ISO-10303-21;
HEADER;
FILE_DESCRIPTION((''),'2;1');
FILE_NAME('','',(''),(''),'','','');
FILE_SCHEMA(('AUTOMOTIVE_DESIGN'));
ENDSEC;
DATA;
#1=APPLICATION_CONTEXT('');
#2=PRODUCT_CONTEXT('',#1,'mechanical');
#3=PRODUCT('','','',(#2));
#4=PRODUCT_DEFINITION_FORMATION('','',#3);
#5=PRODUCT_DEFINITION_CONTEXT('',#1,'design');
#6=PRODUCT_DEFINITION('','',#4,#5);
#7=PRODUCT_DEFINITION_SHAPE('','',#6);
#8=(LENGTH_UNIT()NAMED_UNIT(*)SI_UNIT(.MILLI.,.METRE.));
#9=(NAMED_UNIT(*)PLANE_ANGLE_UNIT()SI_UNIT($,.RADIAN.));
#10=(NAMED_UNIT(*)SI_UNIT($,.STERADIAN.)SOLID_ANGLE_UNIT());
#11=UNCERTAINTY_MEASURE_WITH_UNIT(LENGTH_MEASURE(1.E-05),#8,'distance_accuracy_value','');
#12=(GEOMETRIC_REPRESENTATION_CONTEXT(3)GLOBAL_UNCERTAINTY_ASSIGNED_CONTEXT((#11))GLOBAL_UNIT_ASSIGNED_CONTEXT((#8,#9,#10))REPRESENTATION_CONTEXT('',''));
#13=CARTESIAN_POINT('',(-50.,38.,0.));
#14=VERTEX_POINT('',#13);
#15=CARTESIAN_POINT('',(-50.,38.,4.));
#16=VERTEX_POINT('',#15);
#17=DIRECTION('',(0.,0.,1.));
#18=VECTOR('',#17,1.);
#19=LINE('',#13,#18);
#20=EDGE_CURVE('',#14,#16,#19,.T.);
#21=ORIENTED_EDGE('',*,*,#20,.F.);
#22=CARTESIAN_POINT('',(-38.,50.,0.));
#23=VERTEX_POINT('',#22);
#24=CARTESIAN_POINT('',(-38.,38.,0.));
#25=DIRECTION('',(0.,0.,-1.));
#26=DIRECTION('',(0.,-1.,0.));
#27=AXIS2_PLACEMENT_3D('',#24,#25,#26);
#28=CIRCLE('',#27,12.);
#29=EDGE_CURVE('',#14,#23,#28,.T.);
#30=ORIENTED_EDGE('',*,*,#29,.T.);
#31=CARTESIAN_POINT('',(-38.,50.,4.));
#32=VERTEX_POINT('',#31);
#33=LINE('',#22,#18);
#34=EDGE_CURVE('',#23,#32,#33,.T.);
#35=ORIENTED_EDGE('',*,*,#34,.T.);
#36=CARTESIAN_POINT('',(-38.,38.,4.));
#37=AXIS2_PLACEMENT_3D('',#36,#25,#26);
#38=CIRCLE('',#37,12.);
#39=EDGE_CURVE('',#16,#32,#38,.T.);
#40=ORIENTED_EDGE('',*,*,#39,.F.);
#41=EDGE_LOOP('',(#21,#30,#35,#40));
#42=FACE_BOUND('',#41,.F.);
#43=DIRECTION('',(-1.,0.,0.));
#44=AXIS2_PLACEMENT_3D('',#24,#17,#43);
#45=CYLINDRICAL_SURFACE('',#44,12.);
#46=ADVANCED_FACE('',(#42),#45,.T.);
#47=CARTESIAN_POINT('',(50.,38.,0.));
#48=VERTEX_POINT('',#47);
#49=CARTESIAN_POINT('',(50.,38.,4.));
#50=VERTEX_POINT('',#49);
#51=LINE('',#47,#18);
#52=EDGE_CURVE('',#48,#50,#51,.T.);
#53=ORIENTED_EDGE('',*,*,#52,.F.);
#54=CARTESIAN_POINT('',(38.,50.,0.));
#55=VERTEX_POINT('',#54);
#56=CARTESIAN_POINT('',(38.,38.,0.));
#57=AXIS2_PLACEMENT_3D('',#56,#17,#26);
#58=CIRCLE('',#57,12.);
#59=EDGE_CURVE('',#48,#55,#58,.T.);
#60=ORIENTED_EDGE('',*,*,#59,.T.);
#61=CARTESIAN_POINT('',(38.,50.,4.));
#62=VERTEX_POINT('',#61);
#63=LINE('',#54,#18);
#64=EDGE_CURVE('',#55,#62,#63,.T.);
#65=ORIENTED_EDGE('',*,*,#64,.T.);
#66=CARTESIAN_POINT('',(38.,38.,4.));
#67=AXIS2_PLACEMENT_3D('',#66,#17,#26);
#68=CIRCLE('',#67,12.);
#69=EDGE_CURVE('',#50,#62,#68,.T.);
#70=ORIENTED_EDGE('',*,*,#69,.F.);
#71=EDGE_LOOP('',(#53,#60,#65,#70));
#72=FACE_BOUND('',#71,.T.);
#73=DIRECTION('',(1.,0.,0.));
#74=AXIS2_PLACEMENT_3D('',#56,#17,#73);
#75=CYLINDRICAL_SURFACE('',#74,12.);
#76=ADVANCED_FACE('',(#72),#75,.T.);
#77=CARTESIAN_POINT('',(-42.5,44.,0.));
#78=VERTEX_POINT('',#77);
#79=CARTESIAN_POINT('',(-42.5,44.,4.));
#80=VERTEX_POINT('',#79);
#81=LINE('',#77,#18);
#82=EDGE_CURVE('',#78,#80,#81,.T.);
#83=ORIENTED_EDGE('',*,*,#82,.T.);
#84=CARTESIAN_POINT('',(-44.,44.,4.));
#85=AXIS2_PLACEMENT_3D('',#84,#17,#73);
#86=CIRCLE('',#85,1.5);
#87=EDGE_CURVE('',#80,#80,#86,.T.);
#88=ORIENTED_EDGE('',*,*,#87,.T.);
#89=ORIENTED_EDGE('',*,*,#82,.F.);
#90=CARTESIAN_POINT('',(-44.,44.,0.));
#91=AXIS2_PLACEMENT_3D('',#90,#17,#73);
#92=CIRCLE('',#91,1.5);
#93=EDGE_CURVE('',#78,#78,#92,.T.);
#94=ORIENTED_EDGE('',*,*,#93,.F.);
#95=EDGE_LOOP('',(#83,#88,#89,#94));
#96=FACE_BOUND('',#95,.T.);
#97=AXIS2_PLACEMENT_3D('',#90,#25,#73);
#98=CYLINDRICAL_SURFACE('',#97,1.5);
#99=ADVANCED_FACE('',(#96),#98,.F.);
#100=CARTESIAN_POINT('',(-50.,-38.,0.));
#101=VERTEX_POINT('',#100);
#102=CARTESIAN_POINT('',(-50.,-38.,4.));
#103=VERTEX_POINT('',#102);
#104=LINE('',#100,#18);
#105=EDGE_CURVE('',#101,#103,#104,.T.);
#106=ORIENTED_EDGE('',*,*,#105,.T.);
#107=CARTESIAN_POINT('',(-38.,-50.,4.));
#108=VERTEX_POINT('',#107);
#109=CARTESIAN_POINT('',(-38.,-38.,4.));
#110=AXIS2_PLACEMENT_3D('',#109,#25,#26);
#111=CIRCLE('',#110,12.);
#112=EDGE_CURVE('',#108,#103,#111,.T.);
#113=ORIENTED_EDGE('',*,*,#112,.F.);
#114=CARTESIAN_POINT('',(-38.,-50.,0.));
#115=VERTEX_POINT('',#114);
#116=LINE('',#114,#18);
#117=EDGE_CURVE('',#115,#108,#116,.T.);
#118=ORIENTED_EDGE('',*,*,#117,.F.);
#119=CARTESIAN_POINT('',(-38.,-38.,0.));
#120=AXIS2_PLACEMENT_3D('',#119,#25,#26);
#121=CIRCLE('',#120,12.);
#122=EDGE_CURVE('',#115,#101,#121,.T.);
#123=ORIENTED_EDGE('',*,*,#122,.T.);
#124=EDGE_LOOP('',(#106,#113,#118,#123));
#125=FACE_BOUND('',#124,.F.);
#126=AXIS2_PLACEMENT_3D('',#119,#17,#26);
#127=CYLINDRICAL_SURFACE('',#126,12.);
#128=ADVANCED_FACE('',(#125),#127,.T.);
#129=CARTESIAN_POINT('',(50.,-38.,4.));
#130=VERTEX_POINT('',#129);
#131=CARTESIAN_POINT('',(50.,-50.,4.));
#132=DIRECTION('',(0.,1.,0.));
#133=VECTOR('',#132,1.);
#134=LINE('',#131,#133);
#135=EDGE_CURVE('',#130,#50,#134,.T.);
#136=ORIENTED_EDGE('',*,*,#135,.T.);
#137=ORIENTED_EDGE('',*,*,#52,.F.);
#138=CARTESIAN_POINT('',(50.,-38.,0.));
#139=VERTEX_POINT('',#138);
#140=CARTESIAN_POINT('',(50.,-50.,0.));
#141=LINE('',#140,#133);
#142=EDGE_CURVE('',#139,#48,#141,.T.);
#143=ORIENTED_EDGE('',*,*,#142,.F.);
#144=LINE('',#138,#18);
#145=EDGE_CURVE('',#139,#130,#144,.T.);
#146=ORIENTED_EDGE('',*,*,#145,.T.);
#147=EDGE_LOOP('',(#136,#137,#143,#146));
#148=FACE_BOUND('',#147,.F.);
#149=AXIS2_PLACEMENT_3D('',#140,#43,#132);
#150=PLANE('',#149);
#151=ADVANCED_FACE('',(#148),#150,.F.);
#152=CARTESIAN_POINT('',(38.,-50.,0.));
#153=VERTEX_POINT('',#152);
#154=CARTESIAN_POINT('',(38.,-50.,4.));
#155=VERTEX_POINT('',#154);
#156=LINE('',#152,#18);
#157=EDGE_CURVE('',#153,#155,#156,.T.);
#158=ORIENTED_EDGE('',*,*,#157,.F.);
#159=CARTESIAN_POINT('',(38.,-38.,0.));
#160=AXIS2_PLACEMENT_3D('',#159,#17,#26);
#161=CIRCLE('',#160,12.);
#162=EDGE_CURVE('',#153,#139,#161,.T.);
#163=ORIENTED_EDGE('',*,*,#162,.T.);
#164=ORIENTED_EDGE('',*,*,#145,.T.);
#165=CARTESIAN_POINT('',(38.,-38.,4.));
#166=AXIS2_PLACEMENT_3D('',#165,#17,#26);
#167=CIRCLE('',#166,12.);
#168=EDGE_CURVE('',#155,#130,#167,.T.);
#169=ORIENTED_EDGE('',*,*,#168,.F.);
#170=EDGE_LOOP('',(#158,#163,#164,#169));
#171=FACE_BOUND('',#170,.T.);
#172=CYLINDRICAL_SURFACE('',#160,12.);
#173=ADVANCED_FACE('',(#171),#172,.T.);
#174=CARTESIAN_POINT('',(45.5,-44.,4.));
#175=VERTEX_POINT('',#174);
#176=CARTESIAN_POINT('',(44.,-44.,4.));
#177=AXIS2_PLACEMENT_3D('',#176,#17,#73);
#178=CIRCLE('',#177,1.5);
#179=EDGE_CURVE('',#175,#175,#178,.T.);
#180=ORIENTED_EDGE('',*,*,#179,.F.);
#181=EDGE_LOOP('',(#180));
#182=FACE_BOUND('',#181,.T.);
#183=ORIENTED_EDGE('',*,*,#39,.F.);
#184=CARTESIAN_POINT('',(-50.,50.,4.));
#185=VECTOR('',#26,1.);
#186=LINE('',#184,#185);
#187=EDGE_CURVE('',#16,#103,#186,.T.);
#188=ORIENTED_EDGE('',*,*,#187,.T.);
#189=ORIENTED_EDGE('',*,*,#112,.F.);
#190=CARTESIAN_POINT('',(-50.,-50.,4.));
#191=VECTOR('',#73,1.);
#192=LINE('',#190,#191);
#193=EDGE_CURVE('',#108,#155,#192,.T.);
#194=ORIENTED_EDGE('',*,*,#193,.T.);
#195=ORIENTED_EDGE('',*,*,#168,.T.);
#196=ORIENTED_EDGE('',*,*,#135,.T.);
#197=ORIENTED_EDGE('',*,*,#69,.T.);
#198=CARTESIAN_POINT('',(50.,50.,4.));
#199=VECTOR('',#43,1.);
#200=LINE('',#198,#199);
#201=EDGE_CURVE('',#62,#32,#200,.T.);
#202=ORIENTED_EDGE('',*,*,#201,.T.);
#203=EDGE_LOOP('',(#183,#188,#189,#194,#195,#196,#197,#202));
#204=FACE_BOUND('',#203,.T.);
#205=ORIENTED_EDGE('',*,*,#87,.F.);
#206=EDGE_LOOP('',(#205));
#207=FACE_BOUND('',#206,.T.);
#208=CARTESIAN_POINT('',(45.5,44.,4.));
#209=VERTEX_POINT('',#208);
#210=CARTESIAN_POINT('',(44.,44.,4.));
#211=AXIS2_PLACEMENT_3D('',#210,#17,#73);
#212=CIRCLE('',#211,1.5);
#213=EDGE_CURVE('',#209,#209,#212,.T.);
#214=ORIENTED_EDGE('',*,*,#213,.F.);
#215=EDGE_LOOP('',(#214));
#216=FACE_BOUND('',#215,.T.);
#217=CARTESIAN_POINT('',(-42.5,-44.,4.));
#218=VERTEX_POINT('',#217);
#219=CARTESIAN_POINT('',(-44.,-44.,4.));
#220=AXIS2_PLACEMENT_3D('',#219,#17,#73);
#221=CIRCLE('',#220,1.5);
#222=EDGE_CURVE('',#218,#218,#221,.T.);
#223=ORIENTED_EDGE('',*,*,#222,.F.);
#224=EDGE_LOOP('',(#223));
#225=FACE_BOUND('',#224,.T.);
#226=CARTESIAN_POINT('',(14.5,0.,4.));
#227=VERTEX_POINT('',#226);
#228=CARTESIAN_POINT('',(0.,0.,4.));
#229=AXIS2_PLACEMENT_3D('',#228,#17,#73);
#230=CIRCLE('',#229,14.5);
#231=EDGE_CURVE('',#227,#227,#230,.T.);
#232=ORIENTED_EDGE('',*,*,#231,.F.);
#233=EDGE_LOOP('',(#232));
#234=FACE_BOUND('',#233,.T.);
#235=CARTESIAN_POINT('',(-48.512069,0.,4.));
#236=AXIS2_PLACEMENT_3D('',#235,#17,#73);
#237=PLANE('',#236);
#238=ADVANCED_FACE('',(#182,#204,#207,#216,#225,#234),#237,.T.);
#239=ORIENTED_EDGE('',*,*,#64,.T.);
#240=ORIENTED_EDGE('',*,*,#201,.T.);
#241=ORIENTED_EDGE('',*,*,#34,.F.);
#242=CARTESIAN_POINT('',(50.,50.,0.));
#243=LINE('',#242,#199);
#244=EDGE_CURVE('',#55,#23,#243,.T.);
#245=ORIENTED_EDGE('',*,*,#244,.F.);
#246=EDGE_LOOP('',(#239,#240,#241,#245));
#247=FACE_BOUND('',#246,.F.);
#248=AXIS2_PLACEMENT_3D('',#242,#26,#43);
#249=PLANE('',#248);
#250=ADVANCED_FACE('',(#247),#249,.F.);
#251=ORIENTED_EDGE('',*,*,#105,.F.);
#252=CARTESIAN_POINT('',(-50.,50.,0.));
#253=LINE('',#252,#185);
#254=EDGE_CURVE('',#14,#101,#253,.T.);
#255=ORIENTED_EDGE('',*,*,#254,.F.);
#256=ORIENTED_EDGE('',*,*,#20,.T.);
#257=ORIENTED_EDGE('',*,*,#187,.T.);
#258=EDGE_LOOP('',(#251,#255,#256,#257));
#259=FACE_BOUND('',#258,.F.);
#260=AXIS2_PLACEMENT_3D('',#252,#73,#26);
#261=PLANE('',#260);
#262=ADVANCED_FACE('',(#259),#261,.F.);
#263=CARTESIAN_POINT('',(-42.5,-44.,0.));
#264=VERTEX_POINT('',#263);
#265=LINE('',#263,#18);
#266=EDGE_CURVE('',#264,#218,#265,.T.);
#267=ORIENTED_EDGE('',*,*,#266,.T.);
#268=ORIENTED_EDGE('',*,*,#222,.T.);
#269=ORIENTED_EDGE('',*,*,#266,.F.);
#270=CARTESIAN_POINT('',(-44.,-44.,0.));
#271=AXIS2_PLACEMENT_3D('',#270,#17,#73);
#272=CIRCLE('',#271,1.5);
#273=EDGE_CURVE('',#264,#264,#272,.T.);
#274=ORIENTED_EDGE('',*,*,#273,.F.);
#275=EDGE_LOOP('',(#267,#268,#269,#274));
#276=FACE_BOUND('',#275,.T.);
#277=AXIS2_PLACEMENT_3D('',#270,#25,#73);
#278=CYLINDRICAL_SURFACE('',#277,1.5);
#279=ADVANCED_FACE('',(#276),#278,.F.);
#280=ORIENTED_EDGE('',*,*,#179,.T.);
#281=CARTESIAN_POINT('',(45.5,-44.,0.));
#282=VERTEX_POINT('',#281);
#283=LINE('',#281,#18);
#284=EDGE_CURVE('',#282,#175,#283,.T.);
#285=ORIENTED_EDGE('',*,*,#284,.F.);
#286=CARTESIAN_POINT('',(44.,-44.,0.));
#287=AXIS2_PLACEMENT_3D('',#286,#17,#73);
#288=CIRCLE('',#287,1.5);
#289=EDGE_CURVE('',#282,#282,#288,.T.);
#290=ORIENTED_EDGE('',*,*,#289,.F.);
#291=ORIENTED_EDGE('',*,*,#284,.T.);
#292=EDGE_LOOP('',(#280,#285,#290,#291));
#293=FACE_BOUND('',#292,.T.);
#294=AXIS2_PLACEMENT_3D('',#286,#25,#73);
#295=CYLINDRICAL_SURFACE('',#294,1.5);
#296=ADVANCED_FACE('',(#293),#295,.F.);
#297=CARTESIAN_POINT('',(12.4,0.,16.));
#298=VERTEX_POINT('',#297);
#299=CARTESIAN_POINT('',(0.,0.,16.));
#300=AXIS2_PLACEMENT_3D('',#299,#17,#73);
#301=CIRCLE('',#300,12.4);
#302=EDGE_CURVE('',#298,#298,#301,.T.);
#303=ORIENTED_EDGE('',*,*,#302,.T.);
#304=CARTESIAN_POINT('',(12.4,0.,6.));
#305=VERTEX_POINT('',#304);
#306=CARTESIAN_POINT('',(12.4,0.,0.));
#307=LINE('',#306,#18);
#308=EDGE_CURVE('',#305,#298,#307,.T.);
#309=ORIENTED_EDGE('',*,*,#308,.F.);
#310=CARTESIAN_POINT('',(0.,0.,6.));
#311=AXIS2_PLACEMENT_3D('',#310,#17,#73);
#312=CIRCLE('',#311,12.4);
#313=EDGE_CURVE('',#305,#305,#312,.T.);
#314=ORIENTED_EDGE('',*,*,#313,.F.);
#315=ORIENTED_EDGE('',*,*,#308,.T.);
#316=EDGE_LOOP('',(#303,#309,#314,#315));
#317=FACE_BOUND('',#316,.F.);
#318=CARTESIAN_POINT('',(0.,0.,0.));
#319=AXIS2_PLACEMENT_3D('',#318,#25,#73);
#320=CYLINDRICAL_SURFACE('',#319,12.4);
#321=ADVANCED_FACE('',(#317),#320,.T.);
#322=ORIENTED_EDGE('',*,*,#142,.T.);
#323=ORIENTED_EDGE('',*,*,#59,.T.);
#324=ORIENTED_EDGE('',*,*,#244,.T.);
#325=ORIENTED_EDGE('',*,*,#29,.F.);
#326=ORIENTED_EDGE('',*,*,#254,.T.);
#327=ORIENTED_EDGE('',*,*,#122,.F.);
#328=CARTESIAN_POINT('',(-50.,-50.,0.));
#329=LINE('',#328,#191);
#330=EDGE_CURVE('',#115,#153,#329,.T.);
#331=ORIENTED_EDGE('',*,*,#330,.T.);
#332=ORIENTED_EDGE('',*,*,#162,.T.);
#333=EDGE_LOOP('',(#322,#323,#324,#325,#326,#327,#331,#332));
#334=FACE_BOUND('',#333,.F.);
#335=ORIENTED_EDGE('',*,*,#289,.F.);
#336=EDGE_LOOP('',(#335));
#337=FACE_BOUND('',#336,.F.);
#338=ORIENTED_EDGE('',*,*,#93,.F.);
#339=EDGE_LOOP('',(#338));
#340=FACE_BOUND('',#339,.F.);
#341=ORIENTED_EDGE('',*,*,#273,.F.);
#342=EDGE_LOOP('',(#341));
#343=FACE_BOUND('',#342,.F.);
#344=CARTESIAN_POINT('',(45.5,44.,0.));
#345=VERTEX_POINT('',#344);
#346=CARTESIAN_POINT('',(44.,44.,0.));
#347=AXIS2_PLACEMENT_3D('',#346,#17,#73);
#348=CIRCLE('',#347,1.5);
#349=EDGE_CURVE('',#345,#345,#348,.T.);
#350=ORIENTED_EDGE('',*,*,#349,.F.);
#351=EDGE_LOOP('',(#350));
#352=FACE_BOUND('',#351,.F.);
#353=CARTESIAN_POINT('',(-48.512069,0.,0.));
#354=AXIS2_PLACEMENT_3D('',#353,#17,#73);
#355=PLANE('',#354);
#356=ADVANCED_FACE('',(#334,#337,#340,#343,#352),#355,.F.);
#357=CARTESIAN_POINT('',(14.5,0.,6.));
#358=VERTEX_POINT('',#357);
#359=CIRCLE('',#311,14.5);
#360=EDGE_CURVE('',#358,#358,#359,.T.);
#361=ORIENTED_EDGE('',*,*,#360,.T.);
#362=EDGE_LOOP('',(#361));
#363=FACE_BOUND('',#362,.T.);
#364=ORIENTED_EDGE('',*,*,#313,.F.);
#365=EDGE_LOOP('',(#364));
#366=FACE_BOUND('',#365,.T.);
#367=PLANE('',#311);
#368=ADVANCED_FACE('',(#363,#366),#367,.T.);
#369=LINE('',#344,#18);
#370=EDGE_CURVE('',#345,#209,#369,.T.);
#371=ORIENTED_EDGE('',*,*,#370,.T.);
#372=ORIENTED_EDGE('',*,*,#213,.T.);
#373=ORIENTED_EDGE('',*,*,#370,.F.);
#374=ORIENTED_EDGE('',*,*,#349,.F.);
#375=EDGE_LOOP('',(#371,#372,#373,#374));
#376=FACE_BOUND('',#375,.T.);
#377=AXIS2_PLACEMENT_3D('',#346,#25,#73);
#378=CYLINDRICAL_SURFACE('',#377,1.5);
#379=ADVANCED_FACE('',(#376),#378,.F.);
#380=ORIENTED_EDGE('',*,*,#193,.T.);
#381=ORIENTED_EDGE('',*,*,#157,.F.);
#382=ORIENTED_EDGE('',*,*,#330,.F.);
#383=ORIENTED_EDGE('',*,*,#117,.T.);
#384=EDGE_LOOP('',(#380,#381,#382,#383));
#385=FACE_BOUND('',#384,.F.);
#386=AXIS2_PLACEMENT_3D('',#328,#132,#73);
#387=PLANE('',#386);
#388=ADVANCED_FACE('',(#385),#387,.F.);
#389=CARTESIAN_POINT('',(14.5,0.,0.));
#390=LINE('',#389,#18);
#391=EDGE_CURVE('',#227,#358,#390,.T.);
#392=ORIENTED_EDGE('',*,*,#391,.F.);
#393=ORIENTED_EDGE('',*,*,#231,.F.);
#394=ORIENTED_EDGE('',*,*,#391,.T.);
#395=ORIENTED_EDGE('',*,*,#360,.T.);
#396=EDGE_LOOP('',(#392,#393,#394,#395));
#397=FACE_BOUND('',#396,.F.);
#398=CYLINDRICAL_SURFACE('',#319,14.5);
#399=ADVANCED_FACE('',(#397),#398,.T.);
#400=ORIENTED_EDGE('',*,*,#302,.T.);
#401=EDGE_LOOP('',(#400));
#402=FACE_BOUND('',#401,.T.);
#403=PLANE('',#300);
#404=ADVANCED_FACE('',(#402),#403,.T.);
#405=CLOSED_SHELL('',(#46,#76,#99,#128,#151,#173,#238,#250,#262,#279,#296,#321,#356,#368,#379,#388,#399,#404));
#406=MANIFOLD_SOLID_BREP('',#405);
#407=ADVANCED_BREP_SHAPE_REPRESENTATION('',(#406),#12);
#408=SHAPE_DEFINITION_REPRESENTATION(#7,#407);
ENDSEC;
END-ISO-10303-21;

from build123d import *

# Parameters (mm, degrees)
F0_R     = 1.5
F0_R_2   = 14.5
F1_DEPTH = 4
F2_R     = 12
F0_R_3   = 12.4
F3_DEPTH = 6
F4_DEPTH = 16


with BuildPart() as f1:
    # F0 (on Top) → F1 (new body)
    with BuildSketch(Plane.XY):
        with BuildLine():
            Line((-50, 40.1261364576), (-50, -40.1261364576))
            ThreePointArc((-50, -40.1261364576), (-48.5323223277, -39.658202653), (-47, -39.5))
            Line((-47, -39.5), (-47, 39.5))
            ThreePointArc((-47, 39.5), (-48.5323223277, 39.658202653), (-50, 40.1261364576))
        make_face()
        with BuildLine():
            Line((-50, -50), (-40.1261364576, -50))
            ThreePointArc((-40.1261364576, -50), (-39.658202653, -48.5323223277), (-39.5, -47))
            Line((-39.5, -47), (-47, -47))
            Line((-47, -47), (-47, -39.5))
            ThreePointArc((-47, -39.5), (-48.5323223277, -39.658202653), (-50, -40.1261364576))
            Line((-50, -40.1261364576), (-50, -50))
        make_face()
        with BuildLine():
            Line((-47, -47), (-39.5, -47))
            ThreePointArc((-39.5, -47), (-41.6966991411, -41.6966991411), (-47, -39.5))
            Line((-47, -39.5), (-47, -47))
        make_face()
        with Locations((-44, -44)):
            Circle(F0_R, mode=Mode.SUBTRACT)
        with BuildLine():
            Line((-40.1261364576, -50), (40.1261364576, -50))
            ThreePointArc((40.1261364576, -50), (39.658202653, -48.5323223277), (39.5, -47))
            Line((39.5, -47), (-39.5, -47))
            ThreePointArc((-39.5, -47), (-39.658202653, -48.5323223277), (-40.1261364576, -50))
        make_face()
        with BuildLine():
            Line((40.1261364576, -50), (50, -50))
            Line((50, -50), (50, -40.1261364576))
            ThreePointArc((50, -40.1261364576), (48.5323223277, -39.658202653), (47, -39.5))
            Line((47, -39.5), (47, -47))
            Line((47, -47), (39.5, -47))
            ThreePointArc((39.5, -47), (39.658202653, -48.5323223277), (40.1261364576, -50))
        make_face()
        with BuildLine():
            ThreePointArc((47, -39.5), (41.6966991411, -41.6966991411), (39.5, -47))
            Line((39.5, -47), (47, -47))
            Line((47, -47), (47, -39.5))
        make_face()
        with Locations((44, -44)):
            Circle(F0_R, mode=Mode.SUBTRACT)
        with BuildLine():
            ThreePointArc((47, -39.5), (48.5323223277, -39.658202653), (50, -40.1261364576))
            Line((50, -40.1261364576), (50, 40.1261364576))
            ThreePointArc((50, 40.1261364576), (48.5323223277, 39.658202653), (47, 39.5))
            Line((47, 39.5), (47, -39.5))
        make_face()
        with BuildLine():
            ThreePointArc((47, 39.5), (48.5323223277, 39.658202653), (50, 40.1261364576))
            Line((50, 40.1261364576), (50, 50))
            Line((50, 50), (40.1261364576, 50))
            ThreePointArc((40.1261364576, 50), (39.658202653, 48.5323223277), (39.5, 47))
            Line((39.5, 47), (47, 47))
            Line((47, 47), (47, 39.5))
        make_face()
        with BuildLine():
            ThreePointArc((39.5, 47), (41.6966991411, 41.6966991411), (47, 39.5))
            Line((47, 39.5), (47, 47))
            Line((47, 47), (39.5, 47))
        make_face()
        with Locations((44, 44)):
            Circle(F0_R, mode=Mode.SUBTRACT)
        with BuildLine():
            ThreePointArc((39.5, 47), (39.658202653, 48.5323223277), (40.1261364576, 50))
            Line((40.1261364576, 50), (-40.1261364576, 50))
            ThreePointArc((-40.1261364576, 50), (-39.658202653, 48.5323223277), (-39.5, 47))
            Line((-39.5, 47), (39.5, 47))
        make_face()
        with BuildLine():
            Line((-50, 50), (-50, 40.1261364576))
            ThreePointArc((-50, 40.1261364576), (-48.5323223277, 39.658202653), (-47, 39.5))
            Line((-47, 39.5), (-47, 47))
            Line((-47, 47), (-39.5, 47))
            ThreePointArc((-39.5, 47), (-39.658202653, 48.5323223277), (-40.1261364576, 50))
            Line((-40.1261364576, 50), (-50, 50))
        make_face()
        with BuildLine():
            Line((-47, 47), (-47, 39.5))
            ThreePointArc((-47, 39.5), (-41.6966991411, 41.6966991411), (-39.5, 47))
            Line((-39.5, 47), (-47, 47))
        make_face()
        with Locations((-44, 44)):
            Circle(F0_R, mode=Mode.SUBTRACT)
        with BuildLine():
            Line((-39.5, -47), (39.5, -47))
            ThreePointArc((39.5, -47), (41.6966991411, -41.6966991411), (47, -39.5))
            Line((47, -39.5), (47, 39.5))
            ThreePointArc((47, 39.5), (41.6966991411, 41.6966991411), (39.5, 47))
            Line((39.5, 47), (-39.5, 47))
            ThreePointArc((-39.5, 47), (-41.6966991411, 41.6966991411), (-47, 39.5))
            Line((-47, 39.5), (-47, -39.5))
            ThreePointArc((-47, -39.5), (-41.6966991411, -41.6966991411), (-39.5, -47))
        make_face()
        Circle(F0_R_2, mode=Mode.SUBTRACT)
    extrude(amount=F1_DEPTH)

    # F2
    f2_edges = [f1.edges().sort_by_distance(p)[0] for p in [
        (-50, 50, 2),
        (50, 50, 2),
        (50, -50, 2),
        (-50, -50, 2),
    ]]
    fillet(f2_edges, radius=F2_R)

    # F0 (on Top) → F3 (join)
    with BuildSketch(Plane.XY):
        Circle(F0_R_2)
        Circle(F0_R_3, mode=Mode.SUBTRACT)
    extrude(amount=F3_DEPTH)

    # F0 (on Top) → F4 (join)
    with BuildSketch(Plane.XY):
        Circle(F0_R_3)
    extrude(amount=F4_DEPTH)


solid = f1.part
